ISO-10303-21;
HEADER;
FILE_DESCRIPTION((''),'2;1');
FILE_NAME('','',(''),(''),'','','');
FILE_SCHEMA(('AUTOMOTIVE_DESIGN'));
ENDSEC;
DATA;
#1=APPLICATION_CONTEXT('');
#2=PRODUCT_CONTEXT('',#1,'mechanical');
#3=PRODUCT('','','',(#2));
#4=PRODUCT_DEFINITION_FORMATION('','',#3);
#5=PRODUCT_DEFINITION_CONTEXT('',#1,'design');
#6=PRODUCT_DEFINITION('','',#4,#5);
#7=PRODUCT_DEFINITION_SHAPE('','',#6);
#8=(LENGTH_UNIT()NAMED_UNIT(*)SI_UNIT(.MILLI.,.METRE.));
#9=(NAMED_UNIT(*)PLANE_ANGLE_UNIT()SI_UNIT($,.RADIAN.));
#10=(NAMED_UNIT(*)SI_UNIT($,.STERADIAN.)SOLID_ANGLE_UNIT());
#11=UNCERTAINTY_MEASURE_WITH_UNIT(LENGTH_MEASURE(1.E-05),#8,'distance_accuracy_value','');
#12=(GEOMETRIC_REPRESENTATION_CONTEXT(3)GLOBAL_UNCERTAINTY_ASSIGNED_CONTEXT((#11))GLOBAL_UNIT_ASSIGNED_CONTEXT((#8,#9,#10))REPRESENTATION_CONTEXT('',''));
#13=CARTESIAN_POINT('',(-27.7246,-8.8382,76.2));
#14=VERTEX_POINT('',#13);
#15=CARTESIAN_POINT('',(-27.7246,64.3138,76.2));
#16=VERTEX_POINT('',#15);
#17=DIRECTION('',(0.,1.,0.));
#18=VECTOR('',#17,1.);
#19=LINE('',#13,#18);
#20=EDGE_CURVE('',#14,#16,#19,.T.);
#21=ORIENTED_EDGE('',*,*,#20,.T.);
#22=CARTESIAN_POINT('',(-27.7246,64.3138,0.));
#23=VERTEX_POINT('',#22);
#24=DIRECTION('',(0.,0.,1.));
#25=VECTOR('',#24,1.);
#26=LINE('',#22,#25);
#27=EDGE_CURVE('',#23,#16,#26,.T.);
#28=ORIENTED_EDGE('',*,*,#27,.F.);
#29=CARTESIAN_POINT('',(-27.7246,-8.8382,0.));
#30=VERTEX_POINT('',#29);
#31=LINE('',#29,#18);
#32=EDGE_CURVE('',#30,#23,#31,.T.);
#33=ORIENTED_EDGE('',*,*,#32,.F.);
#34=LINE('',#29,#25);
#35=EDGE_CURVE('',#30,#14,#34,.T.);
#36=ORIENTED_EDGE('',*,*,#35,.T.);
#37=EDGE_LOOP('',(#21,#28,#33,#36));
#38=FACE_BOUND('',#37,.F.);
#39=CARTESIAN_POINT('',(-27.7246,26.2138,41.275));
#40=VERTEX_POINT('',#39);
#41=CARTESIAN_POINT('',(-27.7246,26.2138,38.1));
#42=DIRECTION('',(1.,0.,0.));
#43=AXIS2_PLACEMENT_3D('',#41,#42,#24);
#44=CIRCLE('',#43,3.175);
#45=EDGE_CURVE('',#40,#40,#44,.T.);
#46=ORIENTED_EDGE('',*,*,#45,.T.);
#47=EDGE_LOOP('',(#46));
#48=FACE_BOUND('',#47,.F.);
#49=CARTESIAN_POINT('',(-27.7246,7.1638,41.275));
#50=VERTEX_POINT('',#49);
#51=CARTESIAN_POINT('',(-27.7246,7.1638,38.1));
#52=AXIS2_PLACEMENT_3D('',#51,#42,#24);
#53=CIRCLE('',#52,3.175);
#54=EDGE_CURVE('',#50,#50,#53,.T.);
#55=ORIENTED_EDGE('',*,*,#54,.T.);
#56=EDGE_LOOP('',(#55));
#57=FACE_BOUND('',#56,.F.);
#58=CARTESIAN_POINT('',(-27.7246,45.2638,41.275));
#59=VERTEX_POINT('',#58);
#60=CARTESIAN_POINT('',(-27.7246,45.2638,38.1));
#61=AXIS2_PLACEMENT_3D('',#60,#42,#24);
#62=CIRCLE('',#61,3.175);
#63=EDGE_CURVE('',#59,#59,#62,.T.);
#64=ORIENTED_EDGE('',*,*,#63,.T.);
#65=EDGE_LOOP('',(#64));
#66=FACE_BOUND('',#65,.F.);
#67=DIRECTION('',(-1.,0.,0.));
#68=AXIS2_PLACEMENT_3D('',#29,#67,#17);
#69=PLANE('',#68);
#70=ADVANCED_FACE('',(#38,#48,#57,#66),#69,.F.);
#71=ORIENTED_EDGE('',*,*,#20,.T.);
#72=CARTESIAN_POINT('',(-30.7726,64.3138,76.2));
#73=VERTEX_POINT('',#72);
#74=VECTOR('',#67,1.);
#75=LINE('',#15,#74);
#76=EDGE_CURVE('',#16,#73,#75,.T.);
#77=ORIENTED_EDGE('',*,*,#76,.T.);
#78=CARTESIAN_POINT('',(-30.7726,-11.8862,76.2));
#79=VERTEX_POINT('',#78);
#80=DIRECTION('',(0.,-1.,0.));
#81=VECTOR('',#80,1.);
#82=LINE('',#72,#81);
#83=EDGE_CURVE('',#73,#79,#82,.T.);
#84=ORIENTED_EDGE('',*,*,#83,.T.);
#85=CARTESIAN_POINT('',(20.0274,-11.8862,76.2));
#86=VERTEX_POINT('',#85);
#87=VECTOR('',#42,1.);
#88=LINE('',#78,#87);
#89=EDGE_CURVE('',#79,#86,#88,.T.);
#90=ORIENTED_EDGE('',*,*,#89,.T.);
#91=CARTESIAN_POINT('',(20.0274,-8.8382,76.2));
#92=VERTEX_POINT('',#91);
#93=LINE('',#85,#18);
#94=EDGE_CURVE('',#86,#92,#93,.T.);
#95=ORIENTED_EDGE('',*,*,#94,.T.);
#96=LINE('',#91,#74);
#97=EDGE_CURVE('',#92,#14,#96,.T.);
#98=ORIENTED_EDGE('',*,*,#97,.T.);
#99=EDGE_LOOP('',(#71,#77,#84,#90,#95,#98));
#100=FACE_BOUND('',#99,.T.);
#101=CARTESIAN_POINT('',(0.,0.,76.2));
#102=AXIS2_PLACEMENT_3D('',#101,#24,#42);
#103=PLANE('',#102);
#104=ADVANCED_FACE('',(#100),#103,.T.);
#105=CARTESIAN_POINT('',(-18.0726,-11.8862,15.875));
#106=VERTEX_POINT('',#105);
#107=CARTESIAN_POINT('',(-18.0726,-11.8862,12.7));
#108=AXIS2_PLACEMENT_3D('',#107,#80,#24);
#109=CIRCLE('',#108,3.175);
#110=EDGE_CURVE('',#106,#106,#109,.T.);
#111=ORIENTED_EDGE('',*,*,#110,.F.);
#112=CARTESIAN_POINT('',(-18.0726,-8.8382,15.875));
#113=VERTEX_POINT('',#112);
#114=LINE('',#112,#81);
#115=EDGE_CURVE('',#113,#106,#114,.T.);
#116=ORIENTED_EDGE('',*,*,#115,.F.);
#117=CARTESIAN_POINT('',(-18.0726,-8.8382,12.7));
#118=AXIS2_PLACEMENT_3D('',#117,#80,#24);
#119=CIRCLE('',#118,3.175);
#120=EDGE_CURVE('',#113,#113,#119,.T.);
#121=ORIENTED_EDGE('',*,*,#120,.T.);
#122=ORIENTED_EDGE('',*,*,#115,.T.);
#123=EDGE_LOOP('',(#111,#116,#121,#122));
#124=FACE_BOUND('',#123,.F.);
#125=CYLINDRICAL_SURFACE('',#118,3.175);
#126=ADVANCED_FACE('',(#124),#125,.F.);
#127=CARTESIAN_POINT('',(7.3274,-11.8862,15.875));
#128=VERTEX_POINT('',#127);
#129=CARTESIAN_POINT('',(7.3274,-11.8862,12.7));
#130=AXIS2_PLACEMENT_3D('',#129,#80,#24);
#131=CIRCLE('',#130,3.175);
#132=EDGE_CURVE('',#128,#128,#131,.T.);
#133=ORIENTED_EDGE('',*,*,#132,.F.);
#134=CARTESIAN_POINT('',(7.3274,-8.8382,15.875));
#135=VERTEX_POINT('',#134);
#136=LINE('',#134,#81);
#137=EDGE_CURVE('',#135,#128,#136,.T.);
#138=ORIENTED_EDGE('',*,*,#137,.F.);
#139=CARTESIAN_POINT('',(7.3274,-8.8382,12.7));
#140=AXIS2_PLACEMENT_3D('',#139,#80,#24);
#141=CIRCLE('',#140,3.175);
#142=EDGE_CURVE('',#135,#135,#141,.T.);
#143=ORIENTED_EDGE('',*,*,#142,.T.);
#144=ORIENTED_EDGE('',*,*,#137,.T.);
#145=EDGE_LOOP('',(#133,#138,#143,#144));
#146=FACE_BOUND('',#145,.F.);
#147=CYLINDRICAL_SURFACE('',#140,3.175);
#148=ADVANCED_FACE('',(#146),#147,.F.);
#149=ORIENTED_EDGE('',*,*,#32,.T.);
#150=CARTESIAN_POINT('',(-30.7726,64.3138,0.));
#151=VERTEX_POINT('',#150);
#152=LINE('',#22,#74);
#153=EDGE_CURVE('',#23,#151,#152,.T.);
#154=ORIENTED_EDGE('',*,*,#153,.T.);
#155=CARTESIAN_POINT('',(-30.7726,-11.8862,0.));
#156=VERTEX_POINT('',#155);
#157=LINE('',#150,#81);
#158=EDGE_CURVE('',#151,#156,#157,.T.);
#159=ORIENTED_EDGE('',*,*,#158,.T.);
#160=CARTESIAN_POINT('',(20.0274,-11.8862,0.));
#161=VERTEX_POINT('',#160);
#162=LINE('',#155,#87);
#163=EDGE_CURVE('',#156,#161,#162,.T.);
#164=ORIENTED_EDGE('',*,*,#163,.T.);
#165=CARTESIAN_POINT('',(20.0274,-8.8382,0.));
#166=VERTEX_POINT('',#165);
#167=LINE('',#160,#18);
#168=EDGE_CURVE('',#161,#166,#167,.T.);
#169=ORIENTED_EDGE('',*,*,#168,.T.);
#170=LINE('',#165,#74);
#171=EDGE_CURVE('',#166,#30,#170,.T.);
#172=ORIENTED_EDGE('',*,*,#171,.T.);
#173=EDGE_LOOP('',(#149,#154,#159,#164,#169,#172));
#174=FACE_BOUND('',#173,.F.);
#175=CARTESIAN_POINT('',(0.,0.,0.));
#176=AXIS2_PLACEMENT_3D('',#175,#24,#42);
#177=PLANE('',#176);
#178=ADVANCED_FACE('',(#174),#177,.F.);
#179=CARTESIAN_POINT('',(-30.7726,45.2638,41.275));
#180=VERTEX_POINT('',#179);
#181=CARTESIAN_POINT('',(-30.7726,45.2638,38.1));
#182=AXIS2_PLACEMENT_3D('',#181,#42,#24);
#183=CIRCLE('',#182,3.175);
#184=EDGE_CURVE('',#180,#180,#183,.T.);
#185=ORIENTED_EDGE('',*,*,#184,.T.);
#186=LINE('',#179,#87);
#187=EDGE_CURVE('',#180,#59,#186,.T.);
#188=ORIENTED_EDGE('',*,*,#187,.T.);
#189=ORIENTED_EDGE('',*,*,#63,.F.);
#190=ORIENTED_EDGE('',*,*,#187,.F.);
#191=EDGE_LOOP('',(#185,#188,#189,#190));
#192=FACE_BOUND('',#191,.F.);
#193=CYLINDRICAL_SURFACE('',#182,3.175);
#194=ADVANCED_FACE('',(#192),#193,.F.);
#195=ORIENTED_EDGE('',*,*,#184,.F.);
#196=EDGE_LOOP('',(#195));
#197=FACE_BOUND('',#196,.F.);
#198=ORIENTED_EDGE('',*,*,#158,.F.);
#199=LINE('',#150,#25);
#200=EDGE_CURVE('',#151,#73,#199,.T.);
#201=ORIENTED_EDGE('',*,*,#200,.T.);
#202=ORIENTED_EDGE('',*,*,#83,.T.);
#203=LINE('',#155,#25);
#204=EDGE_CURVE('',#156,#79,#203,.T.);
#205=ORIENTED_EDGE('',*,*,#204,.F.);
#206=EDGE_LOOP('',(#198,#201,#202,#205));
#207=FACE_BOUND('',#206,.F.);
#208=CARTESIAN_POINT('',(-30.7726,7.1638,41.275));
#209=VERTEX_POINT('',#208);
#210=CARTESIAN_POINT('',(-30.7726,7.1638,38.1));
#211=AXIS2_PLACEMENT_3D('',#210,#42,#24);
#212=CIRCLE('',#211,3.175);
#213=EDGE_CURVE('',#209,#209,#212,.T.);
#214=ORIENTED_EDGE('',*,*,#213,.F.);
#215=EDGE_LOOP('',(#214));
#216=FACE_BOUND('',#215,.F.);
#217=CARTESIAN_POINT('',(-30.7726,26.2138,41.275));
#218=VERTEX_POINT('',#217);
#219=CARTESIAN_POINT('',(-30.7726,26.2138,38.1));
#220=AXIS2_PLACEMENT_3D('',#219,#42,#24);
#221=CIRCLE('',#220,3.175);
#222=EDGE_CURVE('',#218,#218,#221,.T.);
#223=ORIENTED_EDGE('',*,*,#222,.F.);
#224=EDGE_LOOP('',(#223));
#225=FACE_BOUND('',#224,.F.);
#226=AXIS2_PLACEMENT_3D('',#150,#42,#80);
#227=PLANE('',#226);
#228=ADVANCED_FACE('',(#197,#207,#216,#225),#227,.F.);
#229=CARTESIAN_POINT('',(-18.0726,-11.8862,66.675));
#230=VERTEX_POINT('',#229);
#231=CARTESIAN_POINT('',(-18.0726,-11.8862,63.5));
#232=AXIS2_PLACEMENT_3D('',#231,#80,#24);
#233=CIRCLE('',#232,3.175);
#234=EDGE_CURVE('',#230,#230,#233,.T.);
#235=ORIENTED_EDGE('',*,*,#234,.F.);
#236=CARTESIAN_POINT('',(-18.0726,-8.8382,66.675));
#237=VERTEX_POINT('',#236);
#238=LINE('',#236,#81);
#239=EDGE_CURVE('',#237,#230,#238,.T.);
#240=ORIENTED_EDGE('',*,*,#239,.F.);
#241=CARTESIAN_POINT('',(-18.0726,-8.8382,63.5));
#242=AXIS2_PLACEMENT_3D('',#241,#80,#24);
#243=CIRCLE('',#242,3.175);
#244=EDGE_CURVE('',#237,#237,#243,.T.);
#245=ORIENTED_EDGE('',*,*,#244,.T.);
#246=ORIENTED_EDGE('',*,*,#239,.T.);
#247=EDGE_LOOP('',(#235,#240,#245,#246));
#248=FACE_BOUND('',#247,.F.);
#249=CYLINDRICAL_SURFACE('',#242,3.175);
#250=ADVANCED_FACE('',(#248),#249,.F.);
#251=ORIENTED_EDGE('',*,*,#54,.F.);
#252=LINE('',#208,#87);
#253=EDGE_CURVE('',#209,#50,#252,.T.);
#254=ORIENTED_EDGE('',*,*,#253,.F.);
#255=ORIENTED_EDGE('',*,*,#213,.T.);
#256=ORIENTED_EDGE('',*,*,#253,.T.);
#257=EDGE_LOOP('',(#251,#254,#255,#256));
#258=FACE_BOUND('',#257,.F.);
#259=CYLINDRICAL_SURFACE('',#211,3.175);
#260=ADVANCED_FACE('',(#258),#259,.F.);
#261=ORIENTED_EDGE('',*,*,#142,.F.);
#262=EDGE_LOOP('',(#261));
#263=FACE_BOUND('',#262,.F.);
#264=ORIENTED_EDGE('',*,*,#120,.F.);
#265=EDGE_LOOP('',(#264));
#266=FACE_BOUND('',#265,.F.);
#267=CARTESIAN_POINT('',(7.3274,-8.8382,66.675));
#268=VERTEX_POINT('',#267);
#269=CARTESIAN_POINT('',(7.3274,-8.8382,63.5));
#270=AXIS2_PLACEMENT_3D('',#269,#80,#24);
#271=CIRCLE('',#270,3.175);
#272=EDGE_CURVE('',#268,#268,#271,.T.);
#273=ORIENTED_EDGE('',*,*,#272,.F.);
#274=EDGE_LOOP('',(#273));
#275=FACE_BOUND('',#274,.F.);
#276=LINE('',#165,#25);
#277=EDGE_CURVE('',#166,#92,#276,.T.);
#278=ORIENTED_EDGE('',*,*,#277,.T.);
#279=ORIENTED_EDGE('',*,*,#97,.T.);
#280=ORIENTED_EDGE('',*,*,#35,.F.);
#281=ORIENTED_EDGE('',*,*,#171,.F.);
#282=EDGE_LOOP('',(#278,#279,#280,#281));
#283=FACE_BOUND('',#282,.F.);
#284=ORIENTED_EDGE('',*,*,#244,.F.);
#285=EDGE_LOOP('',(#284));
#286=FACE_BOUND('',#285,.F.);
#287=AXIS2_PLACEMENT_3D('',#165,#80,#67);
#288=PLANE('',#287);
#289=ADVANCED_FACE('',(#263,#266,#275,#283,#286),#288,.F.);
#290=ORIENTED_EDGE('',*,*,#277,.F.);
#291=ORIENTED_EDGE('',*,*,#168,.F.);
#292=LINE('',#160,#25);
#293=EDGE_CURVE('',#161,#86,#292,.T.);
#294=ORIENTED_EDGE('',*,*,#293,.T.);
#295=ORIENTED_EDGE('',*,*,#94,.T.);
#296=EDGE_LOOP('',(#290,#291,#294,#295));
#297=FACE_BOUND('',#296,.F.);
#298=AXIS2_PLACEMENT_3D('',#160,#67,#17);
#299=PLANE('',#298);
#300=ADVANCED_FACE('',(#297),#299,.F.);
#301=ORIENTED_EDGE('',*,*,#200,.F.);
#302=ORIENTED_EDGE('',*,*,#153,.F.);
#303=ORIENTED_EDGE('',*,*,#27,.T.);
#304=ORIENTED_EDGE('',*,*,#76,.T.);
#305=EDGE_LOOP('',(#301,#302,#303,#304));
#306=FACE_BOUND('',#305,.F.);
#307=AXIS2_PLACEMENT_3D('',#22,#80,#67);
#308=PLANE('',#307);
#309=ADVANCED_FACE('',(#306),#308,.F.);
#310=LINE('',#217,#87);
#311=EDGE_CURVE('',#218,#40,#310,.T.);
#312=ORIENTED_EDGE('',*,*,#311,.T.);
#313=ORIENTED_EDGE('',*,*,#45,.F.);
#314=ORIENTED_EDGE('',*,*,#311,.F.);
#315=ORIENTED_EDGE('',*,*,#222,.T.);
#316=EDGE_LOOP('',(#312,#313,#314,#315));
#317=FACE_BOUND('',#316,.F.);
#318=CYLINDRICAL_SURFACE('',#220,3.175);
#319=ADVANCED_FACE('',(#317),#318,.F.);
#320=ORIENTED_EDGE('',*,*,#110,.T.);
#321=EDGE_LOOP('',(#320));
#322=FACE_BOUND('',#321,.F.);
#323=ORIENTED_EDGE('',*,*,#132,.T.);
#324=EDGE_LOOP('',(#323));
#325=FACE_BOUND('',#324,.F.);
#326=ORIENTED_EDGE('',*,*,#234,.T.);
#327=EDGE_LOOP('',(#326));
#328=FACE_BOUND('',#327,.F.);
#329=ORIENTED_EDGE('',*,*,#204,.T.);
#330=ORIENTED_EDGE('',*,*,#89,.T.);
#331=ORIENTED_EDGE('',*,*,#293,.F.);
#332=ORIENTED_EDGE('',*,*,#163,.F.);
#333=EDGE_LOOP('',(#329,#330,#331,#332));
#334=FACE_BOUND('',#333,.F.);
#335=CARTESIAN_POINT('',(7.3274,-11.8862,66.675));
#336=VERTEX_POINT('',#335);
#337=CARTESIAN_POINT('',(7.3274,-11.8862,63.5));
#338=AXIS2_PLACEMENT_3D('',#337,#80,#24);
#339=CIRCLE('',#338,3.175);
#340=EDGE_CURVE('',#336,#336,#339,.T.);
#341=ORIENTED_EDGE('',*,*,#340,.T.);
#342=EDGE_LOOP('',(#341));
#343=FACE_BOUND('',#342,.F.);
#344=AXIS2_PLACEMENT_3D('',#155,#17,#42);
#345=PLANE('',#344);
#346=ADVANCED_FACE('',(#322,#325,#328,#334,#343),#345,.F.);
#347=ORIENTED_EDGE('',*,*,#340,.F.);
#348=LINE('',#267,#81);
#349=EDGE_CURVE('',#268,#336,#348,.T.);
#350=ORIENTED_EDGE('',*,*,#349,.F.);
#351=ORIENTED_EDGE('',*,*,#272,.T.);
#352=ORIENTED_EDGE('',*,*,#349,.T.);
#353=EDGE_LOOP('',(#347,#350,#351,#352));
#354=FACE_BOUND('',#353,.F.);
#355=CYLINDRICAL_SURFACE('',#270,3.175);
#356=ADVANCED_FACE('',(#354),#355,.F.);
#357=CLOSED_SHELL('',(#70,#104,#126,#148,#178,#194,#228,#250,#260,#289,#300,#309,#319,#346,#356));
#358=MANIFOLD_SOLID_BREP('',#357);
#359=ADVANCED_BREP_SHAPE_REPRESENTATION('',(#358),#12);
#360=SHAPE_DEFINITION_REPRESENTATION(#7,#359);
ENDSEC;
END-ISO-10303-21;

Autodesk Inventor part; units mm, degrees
ref_plane "YZ Plane" through (0, 0, 0) normal (1, 0, 0) x (0, 1, 0)
ref_plane "XZ Plane" through (0, 0, 0) normal (0, 1, 0) x (-1, 0, 0)
ref_plane "XY Plane" through (0, 0, 0) normal (0, 0, 1) x (1, 0, 0)
sketch "Sketch1" plane through (0, 0, 0) normal (0, 0, 1) x (1, 0, 0)
  line L0 (-30.7726, 64.3138) -> (-30.7726, -11.8862)
  line L1 (-30.7726, -11.8862) -> (20.0274, -11.8862)
  line L2 (20.0274, -11.8862) -> (20.0274, -8.8382)
  line L3 (20.0274, -8.8382) -> (-27.7246, -8.8382)
  line L4 (-27.7246, -8.8382) -> (-27.7246, 64.3138)
  line L5 (-27.7246, 64.3138) -> (-30.7726, 64.3138)
  point P0 (0, 0)
  dimension "d0" = 3.048
  dimension "d1" = 3.048
  dimension "d2" = 76.2
  dimension "d3" = 50.8
extrude "Extrusion1" add sketch "Sketch1" along normal blind 76.2
sketch "Sketch2" plane through (-30.7726, -11.8862, 0) normal (-1, 0, 0) x (0, 0, 1)
  line L0 (0, 76.2) -> (0, 0) projected
  line L1 (0, 0) -> (76.2, 0) projected
  point P0 (0, 11.8862)
  point P1 (38.1, 57.15)
  point P2 (38.1, 38.1)
  point P3 (38.1, 19.05)
  dimension "d6" = 19.05
  dimension "d7" = 38.1
  dimension "d8" = 57.15
  dimension "d9" = 38.1
  dimension "d10" = 38.1
  dimension "d11" = 38.1
hole "Hole1" at (-30.7726, 45.2638, 38.1) at (-30.7726, 26.2138, 38.1) at (-30.7726, 7.1638, 38.1) direction (1, 0, 0) diameter 6.35 depth 25.4 tip angle 118
thread "Thread1" size "1/4-20 UNC" class "2B" standard "ANSI Unified Screw Threads" full length
thread "Thread2" size "1/4-20 UNC" class "2B" standard "ANSI Unified Screw Threads" full length
thread "Thread3" size "1/4-20 UNC" class "2B" standard "ANSI Unified Screw Threads" full length
sketch "Sketch3" plane through (-27.7246, -8.8382, 0) normal (0, 1, 0) x (1, 0, 0)
  line L0 (0, -76.2) -> (47.752, -76.2) projected
  line L1 (47.752, 0) -> (47.752, -76.2) projected
  line L2 (47.752, 0) -> (0, 0) projected
  point P0 (27.7246, 0)
  point P1 (9.652, -63.5)
  point P2 (9.652, -12.7)
  point P3 (35.052, -12.7)
  point P4 (35.052, -63.5)
  dimension "d30" = 12.7
  dimension "d31" = 12.7
  dimension "d32" = 12.7
  dimension "d33" = 12.7
  dimension "d34" = 12.7
  dimension "d35" = 38.1
  dimension "d36" = 12.7
  dimension "d37" = 38.1
hole "Hole2" at (-18.0726, -8.8382, 63.5) at (-18.0726, -8.8382, 12.7) at (7.3274, -8.8382, 12.7) at (7.3274, -8.8382, 63.5) direction (0, -1, 0) diameter 6.35 depth 25.4 tip angle 118
thread "Thread4" size "1/4-20 UNC" class "2B" standard "ANSI Unified Screw Threads" full length
thread "Thread5" size "1/4-20 UNC" class "2B" standard "ANSI Unified Screw Threads" full length
thread "Thread6" size "1/4-20 UNC" class "2B" standard "ANSI Unified Screw Threads" full length
thread "Thread7" size "1/4-20 UNC" class "2B" standard "ANSI Unified Screw Threads" full length
properties part number "curveBracket"
